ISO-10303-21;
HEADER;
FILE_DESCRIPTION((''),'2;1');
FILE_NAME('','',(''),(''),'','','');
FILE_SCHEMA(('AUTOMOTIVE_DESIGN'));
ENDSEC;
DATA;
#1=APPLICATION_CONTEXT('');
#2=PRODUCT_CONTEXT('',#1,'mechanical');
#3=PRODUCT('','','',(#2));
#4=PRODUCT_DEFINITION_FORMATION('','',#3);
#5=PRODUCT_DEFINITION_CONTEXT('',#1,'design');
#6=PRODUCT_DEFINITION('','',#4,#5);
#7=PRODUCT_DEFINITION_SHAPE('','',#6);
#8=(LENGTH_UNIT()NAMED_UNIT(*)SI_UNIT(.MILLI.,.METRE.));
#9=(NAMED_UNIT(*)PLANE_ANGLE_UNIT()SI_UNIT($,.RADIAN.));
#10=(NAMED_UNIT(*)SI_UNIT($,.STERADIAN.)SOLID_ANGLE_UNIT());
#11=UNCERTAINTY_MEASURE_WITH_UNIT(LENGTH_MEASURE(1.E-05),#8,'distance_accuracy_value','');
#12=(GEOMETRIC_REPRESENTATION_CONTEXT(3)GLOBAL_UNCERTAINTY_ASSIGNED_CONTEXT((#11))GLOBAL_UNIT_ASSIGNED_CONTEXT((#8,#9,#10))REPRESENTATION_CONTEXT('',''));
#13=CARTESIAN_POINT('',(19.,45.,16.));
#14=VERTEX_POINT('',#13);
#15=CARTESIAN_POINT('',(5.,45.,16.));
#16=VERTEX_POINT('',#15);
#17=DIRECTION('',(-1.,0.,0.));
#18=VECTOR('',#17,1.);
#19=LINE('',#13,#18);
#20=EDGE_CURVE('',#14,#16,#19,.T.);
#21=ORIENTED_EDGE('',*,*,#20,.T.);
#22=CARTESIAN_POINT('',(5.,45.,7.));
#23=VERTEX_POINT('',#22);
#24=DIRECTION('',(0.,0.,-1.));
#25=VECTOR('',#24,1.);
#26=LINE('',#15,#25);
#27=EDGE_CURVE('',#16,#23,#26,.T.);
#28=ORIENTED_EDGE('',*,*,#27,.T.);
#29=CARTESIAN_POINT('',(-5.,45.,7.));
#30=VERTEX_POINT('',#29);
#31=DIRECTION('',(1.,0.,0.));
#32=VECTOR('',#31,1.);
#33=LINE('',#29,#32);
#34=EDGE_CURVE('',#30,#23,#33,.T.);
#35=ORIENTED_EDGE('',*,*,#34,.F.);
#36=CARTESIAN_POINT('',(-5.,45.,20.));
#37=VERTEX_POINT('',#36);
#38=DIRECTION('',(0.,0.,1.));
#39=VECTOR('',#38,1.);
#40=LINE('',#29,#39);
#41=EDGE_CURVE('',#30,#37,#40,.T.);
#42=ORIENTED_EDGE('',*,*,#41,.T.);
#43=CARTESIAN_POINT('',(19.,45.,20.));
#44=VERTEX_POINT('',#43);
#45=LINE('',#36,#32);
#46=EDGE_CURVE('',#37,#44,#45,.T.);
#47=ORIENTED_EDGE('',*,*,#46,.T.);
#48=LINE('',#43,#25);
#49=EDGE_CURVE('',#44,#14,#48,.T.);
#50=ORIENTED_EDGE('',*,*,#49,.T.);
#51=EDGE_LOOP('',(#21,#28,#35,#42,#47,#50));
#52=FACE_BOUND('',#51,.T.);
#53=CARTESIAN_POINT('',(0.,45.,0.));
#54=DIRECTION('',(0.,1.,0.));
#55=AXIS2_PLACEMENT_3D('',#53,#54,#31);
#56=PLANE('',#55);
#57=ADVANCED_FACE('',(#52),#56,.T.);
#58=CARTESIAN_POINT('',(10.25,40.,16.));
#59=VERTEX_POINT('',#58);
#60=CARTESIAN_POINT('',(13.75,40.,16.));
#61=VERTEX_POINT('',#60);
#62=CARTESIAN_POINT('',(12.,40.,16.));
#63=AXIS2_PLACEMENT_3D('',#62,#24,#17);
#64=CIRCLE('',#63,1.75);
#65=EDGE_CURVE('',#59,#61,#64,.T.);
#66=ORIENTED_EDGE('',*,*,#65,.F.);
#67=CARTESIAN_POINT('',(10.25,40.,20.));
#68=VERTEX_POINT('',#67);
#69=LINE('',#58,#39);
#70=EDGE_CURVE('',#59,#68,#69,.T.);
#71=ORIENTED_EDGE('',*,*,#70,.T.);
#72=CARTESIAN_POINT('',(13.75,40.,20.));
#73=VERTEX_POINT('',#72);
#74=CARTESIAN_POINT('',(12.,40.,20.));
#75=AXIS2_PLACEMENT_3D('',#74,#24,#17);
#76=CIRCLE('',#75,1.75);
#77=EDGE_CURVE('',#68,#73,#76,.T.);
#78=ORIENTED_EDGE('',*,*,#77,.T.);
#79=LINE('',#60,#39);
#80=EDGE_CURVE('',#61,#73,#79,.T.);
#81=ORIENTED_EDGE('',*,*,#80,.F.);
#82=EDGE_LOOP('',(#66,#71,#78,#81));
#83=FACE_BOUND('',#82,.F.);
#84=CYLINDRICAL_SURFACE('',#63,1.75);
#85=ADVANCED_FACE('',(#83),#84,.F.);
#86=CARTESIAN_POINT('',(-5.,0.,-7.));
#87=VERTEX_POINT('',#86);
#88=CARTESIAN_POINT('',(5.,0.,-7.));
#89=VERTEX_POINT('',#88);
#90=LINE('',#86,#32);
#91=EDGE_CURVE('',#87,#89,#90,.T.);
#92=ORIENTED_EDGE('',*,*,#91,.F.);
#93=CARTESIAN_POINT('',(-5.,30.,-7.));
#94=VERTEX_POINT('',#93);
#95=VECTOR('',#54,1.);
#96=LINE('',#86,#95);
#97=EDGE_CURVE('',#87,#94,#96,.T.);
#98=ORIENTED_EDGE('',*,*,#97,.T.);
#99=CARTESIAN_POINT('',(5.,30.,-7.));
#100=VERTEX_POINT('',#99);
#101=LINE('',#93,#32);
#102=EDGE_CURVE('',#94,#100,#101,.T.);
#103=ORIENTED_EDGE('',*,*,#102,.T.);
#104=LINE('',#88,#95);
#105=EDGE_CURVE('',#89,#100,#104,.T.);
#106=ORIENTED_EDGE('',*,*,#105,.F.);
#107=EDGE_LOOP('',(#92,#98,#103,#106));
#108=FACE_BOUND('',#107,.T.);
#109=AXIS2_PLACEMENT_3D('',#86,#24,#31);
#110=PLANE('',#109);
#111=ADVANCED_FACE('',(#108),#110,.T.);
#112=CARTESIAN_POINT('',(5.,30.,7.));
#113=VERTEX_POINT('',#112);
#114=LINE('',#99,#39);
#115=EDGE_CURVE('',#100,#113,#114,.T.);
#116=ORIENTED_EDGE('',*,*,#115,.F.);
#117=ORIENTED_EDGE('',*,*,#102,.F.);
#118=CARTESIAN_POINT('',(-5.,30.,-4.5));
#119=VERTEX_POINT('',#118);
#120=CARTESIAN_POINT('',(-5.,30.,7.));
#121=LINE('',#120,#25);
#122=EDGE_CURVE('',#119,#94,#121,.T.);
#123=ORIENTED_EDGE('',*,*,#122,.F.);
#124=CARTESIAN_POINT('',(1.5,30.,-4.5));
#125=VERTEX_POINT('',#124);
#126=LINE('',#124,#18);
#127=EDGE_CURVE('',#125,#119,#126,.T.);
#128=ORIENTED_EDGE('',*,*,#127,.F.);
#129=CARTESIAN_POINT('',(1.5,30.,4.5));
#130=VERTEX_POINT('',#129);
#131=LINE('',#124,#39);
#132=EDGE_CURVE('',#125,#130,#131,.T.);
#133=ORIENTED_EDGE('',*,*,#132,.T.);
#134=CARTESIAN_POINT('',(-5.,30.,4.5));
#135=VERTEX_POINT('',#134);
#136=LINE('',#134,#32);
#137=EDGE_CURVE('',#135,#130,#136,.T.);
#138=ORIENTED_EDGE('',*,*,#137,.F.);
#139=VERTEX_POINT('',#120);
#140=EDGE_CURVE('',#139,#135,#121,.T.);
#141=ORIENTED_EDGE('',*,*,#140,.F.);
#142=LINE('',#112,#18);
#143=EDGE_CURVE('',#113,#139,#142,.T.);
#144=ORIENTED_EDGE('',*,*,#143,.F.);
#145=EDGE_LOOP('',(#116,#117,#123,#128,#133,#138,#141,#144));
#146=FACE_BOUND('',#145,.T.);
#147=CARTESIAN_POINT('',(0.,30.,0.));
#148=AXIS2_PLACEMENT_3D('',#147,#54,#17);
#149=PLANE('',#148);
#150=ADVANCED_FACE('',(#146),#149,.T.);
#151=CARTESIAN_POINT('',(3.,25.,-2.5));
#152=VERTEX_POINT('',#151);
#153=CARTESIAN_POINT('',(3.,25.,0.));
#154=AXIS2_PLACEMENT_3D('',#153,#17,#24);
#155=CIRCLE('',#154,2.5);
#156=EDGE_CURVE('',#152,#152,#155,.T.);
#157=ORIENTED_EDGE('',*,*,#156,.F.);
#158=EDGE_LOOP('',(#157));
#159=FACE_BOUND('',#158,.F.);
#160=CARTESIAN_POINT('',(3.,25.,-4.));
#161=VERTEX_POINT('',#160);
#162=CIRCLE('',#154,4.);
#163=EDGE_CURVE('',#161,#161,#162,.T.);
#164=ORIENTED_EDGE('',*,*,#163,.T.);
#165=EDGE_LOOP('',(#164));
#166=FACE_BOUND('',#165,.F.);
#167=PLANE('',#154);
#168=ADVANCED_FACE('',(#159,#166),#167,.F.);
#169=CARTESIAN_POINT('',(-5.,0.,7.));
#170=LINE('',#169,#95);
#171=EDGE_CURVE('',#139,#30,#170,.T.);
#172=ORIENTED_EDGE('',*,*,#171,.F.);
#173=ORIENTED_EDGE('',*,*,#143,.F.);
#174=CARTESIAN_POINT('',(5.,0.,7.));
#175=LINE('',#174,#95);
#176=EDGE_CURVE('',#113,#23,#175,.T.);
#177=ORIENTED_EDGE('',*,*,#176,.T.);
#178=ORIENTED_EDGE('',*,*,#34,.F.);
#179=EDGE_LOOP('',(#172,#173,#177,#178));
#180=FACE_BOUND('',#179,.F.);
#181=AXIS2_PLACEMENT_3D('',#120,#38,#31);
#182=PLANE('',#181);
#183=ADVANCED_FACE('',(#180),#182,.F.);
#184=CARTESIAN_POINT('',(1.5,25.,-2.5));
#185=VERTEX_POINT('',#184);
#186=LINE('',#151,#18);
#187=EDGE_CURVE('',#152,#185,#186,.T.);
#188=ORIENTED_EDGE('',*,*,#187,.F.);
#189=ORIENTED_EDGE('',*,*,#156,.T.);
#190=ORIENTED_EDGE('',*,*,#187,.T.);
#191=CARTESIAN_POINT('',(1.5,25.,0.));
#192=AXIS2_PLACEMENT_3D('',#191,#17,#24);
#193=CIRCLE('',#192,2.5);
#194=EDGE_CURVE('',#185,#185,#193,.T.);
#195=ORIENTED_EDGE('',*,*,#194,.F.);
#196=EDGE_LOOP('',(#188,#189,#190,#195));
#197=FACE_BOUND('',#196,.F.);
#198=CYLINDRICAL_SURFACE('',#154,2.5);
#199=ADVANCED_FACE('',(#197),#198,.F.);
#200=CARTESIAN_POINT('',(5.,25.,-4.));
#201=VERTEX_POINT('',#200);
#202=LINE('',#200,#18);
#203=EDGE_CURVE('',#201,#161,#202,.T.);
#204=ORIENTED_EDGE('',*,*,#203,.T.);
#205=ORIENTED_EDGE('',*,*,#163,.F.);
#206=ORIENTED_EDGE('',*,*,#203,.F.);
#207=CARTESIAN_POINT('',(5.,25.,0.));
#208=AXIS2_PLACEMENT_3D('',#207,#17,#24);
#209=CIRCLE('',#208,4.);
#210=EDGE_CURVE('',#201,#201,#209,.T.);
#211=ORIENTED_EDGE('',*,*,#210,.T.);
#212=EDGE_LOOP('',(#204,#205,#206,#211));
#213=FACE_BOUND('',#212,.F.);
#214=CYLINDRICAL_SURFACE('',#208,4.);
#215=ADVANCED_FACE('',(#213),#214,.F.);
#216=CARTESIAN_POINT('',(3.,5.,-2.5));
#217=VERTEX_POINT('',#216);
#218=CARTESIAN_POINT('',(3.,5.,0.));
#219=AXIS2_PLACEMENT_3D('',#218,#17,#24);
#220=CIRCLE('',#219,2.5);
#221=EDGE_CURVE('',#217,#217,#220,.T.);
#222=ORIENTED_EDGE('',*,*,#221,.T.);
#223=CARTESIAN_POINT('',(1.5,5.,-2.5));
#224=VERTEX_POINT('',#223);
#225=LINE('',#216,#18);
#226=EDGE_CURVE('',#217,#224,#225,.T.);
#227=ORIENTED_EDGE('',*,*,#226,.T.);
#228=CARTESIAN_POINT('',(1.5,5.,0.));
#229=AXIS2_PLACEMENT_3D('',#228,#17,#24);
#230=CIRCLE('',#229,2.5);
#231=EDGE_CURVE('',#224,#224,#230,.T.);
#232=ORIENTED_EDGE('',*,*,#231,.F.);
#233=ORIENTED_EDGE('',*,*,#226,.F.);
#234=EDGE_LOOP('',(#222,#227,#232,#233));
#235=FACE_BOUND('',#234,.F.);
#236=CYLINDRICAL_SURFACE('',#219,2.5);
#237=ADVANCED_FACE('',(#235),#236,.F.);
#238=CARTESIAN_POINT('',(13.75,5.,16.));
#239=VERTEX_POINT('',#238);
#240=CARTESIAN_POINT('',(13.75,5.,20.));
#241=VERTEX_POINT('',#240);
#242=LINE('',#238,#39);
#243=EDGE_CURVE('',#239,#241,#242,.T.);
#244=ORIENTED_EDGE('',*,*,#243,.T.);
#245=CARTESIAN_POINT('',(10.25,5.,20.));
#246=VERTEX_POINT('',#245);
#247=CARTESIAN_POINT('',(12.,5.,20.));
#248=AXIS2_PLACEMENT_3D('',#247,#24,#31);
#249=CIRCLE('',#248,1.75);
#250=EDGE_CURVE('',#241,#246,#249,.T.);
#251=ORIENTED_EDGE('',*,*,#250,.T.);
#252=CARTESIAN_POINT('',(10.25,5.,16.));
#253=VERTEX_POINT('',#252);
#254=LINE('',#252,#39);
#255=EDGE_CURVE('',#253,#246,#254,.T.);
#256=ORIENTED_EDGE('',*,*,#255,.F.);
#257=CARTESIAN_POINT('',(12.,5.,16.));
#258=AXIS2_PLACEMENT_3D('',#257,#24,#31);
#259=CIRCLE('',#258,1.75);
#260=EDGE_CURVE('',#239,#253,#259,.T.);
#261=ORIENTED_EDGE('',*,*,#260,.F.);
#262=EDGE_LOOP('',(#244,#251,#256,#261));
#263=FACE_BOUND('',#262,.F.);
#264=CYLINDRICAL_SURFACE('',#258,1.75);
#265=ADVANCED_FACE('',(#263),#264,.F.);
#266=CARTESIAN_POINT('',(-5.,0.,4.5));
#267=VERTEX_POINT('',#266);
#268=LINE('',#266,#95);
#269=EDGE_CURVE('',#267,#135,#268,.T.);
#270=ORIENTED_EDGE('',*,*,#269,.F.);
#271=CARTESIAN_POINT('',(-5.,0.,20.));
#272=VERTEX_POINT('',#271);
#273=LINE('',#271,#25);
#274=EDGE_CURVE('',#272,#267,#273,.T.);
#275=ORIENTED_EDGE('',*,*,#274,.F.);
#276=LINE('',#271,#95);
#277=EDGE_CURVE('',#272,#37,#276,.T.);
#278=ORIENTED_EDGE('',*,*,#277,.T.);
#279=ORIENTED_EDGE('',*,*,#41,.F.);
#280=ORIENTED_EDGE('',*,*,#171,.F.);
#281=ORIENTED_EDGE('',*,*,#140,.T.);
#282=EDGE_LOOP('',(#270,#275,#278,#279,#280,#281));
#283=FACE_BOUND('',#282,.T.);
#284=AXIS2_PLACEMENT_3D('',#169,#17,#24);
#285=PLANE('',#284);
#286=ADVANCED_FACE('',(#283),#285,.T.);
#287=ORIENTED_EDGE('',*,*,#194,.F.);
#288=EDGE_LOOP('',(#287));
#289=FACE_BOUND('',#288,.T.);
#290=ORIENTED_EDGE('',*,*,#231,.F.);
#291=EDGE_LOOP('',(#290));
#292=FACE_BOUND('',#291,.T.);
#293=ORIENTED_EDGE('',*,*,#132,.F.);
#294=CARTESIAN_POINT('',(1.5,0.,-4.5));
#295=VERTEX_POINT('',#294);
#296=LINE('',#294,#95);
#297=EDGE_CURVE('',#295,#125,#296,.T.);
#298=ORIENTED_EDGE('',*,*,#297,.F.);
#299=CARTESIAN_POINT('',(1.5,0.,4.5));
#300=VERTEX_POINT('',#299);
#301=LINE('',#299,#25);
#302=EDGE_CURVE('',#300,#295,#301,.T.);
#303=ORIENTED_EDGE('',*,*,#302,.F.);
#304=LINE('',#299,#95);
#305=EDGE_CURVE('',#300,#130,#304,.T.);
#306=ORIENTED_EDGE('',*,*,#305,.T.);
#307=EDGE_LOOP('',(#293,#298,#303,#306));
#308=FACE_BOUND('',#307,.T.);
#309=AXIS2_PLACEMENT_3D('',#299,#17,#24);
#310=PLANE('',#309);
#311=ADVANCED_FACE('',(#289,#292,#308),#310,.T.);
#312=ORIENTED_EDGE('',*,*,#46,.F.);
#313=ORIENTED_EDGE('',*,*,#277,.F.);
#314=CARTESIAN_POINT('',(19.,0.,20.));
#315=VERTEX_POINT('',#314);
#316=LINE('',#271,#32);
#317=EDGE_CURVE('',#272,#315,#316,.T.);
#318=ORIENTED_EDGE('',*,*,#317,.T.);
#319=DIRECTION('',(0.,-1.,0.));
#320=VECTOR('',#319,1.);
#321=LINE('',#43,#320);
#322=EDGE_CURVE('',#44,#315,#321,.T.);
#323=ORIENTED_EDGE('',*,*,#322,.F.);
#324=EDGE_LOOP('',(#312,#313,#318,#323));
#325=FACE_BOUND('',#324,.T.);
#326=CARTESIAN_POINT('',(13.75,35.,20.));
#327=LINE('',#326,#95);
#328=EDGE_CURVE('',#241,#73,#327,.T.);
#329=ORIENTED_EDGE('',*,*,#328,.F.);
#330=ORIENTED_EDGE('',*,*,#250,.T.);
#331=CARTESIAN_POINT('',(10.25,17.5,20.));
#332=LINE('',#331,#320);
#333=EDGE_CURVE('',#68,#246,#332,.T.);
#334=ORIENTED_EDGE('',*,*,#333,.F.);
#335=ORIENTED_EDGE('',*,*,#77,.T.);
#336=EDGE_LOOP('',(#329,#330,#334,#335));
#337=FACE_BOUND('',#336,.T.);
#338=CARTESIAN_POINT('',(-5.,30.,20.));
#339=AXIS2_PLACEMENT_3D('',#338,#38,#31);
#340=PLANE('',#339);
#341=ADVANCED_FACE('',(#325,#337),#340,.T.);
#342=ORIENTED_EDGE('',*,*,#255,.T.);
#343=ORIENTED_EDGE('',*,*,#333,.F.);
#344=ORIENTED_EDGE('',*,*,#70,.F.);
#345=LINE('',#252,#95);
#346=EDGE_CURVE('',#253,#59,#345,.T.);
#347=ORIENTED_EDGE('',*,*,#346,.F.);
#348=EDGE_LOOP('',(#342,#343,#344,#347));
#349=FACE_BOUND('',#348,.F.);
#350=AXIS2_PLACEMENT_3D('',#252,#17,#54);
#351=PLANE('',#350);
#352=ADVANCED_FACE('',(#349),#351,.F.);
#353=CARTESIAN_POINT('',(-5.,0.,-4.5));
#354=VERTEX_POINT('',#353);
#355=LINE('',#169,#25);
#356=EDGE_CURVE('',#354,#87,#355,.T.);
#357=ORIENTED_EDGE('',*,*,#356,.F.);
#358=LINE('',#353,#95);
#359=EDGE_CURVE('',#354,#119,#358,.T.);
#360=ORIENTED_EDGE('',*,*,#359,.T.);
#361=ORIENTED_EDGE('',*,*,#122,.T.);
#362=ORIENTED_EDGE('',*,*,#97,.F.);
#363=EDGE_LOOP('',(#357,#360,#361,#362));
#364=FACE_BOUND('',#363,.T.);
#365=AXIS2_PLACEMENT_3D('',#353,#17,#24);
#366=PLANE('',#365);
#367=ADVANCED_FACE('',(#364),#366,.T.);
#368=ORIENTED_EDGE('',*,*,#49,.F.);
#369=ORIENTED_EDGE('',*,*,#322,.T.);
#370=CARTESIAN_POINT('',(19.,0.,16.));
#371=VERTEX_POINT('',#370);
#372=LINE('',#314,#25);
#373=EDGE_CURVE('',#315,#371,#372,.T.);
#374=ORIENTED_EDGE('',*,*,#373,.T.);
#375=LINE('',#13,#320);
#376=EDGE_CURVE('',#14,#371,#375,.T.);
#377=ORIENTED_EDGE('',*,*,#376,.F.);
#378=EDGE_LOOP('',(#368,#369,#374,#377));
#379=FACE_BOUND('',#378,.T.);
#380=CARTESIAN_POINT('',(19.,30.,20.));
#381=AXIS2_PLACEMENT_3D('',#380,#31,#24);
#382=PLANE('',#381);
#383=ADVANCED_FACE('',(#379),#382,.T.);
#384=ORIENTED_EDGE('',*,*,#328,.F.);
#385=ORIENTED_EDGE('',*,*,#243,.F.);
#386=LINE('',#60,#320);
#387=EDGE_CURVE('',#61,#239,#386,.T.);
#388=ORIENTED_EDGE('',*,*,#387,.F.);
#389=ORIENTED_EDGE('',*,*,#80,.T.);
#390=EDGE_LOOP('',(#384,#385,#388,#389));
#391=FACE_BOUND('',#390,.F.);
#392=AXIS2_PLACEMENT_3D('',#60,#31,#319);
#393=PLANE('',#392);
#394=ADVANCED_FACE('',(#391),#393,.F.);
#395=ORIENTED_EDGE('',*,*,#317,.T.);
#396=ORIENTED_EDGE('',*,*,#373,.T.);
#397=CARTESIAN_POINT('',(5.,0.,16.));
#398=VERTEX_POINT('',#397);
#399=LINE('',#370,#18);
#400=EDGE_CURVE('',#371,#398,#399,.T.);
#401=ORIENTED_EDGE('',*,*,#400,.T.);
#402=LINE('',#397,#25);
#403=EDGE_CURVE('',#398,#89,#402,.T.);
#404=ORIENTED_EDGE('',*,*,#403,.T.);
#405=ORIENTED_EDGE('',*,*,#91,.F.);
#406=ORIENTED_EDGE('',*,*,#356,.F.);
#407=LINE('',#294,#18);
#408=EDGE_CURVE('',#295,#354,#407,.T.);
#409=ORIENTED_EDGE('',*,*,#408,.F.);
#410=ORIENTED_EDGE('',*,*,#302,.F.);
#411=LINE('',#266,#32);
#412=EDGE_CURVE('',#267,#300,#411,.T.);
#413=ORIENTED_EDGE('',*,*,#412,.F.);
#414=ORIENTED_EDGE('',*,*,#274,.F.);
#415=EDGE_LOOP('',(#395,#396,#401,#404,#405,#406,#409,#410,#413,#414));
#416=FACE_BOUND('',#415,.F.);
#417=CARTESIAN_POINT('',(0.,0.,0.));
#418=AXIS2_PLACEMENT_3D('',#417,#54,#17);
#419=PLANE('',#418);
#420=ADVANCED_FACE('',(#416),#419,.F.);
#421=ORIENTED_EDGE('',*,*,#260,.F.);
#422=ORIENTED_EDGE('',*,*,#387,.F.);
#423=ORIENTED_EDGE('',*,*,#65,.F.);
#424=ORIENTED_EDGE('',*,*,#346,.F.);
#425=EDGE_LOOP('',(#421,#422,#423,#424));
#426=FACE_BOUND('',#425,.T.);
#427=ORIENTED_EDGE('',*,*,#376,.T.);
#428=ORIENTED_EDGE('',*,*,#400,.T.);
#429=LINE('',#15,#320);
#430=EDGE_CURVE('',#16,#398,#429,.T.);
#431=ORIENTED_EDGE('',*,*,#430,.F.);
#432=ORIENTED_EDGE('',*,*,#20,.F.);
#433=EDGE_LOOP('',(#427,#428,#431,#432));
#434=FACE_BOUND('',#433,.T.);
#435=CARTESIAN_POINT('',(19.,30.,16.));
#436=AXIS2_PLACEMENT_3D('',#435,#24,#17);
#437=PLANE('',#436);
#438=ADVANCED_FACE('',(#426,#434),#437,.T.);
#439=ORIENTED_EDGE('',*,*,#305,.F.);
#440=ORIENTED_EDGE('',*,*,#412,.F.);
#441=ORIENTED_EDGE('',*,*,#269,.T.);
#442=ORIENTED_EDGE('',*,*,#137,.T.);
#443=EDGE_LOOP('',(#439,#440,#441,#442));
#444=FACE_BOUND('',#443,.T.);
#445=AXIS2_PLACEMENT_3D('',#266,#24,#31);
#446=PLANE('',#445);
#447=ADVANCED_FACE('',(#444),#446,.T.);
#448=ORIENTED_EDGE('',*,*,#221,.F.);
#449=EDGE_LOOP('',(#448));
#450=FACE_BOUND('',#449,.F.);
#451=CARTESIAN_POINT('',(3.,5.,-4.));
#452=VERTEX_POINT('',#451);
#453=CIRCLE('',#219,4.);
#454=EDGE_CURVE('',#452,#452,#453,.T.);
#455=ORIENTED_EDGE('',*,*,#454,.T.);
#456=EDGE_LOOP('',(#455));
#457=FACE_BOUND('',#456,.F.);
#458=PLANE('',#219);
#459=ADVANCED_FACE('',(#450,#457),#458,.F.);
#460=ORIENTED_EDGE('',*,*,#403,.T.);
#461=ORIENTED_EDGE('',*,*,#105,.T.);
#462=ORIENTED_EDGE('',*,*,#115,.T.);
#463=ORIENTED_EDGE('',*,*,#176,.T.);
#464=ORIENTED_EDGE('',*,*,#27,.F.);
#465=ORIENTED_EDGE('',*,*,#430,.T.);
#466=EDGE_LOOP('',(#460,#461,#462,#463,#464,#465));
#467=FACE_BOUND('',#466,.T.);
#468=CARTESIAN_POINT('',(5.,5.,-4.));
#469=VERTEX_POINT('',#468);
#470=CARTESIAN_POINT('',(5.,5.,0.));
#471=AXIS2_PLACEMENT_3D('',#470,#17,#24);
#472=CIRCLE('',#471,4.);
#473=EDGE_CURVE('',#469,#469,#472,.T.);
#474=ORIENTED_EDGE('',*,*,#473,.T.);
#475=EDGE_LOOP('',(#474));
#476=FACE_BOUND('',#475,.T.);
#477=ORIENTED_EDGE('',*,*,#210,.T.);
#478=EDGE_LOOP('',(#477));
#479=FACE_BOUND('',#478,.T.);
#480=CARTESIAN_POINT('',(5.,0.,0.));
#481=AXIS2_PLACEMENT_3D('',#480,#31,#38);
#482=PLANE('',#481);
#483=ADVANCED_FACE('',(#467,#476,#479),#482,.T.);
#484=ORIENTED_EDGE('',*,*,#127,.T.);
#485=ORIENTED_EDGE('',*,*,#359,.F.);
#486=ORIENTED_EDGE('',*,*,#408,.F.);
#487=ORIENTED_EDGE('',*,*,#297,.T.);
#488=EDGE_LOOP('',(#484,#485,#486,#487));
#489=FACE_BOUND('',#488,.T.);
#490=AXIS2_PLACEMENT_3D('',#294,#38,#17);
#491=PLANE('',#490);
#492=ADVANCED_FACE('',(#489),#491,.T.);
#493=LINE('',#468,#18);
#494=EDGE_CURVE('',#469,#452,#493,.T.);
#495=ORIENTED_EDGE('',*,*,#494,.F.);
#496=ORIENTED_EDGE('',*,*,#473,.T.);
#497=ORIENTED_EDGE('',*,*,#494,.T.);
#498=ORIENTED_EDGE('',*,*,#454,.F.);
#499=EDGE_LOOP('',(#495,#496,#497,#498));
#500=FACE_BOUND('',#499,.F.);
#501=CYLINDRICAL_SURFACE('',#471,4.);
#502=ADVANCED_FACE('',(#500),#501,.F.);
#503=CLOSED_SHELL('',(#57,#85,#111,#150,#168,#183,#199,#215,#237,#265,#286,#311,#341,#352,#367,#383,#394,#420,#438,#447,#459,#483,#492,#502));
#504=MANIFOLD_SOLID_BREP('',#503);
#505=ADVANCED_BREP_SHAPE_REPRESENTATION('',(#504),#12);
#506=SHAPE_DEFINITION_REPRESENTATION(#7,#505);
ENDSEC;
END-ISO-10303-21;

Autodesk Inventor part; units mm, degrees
ref_plane "YZ Plane" through (0, 0, 0) normal (1, 0, 0) x (0, 1, 0)
ref_plane "XZ Plane" through (0, 0, 0) normal (0, 1, 0) x (-1, 0, 0)
ref_plane "XY Plane" through (0, 0, 0) normal (0, 0, 1) x (1, 0, 0)
sketch "Skizze1" plane through (0, 0, 0) normal (0, 1, 0) x (-1, 0, 0)
  line L0 (-5, 7) -> (5, 7)
  line L1 (5, 7) -> (5, -7)
  line L2 (5, -7) -> (-5, -7)
  line L3 (-5, -7) -> (-5, 7)
  line L4 (-5, 7) -> (5, -7) construction
  line L5 (5, 7) -> (-5, -7) construction
  line L6 (5, 4.5) -> (-1.5, 4.5)
  line L7 (-1.5, 4.5) -> (-1.5, -4.5)
  line L8 (-1.5, -4.5) -> (5, -4.5)
  line L9 (5, -4.5) -> (5, 4.5)
  line L10 (5, 4.5) -> (-1.5, -4.5) construction
  line L11 (-1.5, 4.5) -> (5, -4.5) construction
  line L12 (7, 0) -> (-7, 0) projected
  point P0 (0, 0)
  point P1 (1.75, 0)
  point P2 (1.75, 0)
  dimension "d0" = 10
  dimension "d1" = 14
  dimension "d2" = 6.5
  dimension "d3" = 9
extrude "Extrusion1" add sketch "Skizze1" along normal blind 30 contours L0 L1 L6 L7 L12 L3 | L12 L7 L8 L1 L2 L3
sketch "Skizze2" plane through (5, 0, 7) normal (1, 0, 0) x (0, 0, -1)
  line L0 (7, -6) -> (7, 36) construction
  point P0 (7, 0)
  point P1 (7, 25)
  point P2 (7, 5)
  dimension "d6" = 20
  dimension "d7" = 5
hole "Bohrung1" at (5, 25, 0) at (5, 5, 0) direction (-1, 0, 0) diameter 5 end through all counterbore diameter 8 counterbore depth 2
sketch "Skizze3" plane through (0, 30, 0) normal (0, 1, 0) x (1, 0, 0)
  line L0 (-5, 4.5) -> (1.5, 4.5) projected
  line L1 (1.5, 4.5) -> (1.5, -4.5) projected
  line L2 (1.5, -4.5) -> (-5, -4.5) projected
  line L3 (-5, -4.5) -> (-5, -7) projected
  line L4 (-5, -7) -> (5, -7) projected
  line L5 (5, -7) -> (5, 7) projected
  line L6 (5, 7) -> (-5, 7) projected
  line L7 (-5, 7) -> (-5, 4.5) projected
  line L8 (5, 7) -> (-5, 7) projected
  line L9 (-5, -7) -> (-5, -20)
  line L10 (-5, -20) -> (19, -20)
  line L11 (19, -20) -> (19, -16)
  line L12 (19, -16) -> (5, -16)
  line L13 (5, -7) -> (5, 7) projected
  line L14 (5, -16) -> (5, -7)
  point P0 (0, 0)
  dimension "d16" = 20
  dimension "d17" = 14
  dimension "d18" = 4
extrude "Extrusion2" add sketch "Skizze3" against normal blind 30 and the other way blind 15 contours L14 L12 L11 L10 L9 L4
sketch "Skizze4" plane through (19, 0, 16) normal (0, 0, -1) x (-1, 0, 0)
  line L0 (0, 0) -> (0, 45) projected
  line L1 (14, 0) -> (0, 0) projected
  line L2 (14, 0) -> (14, 45) projected
  line L3 (0, 45) -> (14, 45) projected
  line L4 (24, 45) -> (0, 45) projected
  line L5 (7, 45) -> (7, 0) construction
  line L6 (14, 0) -> (0, 0) projected
  line L7 (7, 40) -> (7, 5) construction
  line L8 (5.25, 40) -> (5.25, 5)
  line L9 (8.75, 5) -> (8.75, 40)
  arc A0 (8.75, 40) -> (5.25, 40) centre (7, 40) ccw
  arc A1 (5.25, 5) -> (8.75, 5) centre (7, 5) ccw
  point P0 (19, 0)
  point P1 (7, 22.5)
  dimension "d23" = 3.5
  dimension "d24" = 5
  dimension "d25" = 5
extrude "Extrusion3" cut sketch "Skizze4" against normal blind 30 contours A0 L9 A1 L8
properties part number "Schlitten_Part2"
